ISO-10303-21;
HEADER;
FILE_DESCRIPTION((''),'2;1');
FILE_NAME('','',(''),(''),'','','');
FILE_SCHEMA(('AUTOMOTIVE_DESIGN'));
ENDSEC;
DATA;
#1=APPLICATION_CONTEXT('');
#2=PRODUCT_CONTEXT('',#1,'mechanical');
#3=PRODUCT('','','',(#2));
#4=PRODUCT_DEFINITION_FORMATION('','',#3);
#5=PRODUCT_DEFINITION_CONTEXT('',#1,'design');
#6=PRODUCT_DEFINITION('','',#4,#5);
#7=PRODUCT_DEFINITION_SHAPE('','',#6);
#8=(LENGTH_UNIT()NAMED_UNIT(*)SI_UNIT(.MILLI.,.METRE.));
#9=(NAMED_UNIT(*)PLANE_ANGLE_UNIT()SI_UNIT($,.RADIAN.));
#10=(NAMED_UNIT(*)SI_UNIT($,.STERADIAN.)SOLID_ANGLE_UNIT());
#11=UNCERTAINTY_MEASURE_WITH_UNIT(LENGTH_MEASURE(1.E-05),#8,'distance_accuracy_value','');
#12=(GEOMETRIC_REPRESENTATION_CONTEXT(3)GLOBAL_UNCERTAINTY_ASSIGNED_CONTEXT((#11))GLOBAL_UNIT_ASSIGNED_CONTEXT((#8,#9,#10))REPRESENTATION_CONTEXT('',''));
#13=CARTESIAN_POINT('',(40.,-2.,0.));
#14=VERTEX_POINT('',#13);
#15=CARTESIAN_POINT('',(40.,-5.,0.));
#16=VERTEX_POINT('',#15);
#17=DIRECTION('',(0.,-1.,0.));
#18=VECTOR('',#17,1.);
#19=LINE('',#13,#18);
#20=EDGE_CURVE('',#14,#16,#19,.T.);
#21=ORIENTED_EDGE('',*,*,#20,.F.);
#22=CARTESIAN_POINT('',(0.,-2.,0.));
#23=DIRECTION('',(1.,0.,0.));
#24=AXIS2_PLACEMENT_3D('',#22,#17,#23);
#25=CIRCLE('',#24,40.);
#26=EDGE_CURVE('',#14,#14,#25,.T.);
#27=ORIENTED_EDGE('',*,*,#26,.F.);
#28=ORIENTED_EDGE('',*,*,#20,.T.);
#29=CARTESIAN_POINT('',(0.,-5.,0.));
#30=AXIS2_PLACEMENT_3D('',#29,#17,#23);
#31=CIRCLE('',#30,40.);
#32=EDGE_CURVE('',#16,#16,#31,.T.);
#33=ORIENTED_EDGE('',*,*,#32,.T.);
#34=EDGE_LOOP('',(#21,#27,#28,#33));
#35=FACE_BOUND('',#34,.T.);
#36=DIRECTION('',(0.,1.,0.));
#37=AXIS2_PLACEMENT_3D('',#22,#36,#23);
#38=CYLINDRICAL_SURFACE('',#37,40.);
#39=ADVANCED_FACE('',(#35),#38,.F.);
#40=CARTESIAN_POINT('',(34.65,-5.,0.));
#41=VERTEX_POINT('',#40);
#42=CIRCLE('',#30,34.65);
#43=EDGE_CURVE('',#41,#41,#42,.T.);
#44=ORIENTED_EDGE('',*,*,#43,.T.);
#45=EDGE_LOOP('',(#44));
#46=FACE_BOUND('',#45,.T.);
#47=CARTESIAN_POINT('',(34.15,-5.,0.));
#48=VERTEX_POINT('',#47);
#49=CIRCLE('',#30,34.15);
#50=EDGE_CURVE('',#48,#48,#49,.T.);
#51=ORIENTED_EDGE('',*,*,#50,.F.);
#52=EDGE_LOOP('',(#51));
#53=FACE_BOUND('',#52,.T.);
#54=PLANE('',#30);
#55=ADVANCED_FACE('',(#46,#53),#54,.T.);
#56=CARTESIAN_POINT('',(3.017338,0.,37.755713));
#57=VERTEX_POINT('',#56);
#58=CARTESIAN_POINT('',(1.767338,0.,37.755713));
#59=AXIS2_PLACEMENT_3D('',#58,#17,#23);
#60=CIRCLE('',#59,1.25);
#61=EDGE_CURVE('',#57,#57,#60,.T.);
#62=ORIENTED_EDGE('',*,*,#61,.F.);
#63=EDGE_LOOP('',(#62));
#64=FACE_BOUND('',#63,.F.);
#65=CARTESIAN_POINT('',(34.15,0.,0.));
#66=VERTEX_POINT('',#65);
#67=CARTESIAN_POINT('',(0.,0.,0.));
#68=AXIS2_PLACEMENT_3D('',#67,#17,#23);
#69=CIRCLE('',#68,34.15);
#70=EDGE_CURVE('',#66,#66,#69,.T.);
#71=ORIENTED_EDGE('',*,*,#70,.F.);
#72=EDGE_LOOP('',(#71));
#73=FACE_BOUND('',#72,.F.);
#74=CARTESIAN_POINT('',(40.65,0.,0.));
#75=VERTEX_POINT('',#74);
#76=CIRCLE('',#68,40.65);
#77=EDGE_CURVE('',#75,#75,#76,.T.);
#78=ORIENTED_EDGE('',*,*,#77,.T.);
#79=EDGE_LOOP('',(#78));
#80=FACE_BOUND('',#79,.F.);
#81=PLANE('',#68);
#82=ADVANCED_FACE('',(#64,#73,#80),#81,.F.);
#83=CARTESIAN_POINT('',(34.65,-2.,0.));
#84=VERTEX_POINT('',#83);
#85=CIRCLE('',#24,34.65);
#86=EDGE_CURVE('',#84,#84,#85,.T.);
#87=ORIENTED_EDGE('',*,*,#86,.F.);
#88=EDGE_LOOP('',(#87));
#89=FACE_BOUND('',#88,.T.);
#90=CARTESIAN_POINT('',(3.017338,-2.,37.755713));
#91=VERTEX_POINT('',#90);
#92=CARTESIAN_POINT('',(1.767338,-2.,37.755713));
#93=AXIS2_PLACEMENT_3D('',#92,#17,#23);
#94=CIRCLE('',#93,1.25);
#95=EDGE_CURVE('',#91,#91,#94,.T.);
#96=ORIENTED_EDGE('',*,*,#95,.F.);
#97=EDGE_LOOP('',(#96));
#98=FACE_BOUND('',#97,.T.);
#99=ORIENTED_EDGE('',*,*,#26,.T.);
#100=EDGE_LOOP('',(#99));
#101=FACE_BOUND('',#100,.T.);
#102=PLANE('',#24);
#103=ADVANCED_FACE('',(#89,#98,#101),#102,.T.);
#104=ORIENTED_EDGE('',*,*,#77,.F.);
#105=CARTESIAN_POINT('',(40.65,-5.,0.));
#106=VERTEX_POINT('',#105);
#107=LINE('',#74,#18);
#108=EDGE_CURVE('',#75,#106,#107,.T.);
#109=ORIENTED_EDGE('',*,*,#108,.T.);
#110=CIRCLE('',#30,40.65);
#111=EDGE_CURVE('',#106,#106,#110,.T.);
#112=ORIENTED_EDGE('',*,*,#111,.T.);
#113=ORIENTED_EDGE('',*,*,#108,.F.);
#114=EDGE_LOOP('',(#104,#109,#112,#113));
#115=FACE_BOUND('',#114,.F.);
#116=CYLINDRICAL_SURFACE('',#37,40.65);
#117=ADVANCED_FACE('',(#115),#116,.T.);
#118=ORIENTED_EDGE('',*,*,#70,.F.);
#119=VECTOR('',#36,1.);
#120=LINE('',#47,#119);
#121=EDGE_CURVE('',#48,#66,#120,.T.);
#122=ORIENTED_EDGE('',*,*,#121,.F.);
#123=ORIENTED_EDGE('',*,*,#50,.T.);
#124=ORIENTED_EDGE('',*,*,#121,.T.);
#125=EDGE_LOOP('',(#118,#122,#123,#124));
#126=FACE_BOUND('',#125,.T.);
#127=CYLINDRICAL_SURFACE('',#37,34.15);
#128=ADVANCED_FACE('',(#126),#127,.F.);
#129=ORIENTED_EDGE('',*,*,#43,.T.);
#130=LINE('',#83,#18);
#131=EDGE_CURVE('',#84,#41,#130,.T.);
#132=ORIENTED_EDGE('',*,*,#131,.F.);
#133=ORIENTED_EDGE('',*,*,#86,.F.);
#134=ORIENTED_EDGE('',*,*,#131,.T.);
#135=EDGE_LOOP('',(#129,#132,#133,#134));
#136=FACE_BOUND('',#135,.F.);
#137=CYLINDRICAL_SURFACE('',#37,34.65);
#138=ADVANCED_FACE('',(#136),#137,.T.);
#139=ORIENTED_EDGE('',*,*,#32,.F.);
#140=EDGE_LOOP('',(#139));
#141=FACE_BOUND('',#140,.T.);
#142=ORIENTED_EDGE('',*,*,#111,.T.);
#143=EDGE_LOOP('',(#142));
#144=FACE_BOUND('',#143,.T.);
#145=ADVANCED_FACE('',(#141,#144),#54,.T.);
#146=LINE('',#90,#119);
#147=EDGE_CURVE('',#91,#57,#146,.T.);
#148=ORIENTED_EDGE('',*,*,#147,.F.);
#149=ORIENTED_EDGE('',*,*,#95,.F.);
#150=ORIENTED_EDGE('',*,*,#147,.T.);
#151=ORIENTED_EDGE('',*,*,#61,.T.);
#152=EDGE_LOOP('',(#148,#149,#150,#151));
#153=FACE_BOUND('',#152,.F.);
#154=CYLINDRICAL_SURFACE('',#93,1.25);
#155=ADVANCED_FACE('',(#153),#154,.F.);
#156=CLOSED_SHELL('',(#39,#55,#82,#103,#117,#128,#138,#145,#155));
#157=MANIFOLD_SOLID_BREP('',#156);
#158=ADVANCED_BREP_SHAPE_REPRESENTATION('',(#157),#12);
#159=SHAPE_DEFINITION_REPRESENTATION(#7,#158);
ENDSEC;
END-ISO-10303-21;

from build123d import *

# Parameters (mm, degrees)
F0_R     = 40.65
F0_R_2   = 34.15
F1_DEPTH = 2
F2_R     = 40.65
F2_R_2   = 40
F3_DEPTH = 3
F4_R     = 34.65
F4_R_2   = 34.15
F5_DEPTH = 3
F6_R     = 1.25
F7_DEPTH = 25


with BuildPart() as f1:
    # F0 (on Front) → F1 (new body)
    with BuildSketch(Plane.XZ):
        Circle(F0_R)
        Circle(F0_R_2, mode=Mode.SUBTRACT)
    extrude(amount=F1_DEPTH)

    # F2 (on face) → F3 (join)
    with BuildSketch(Plane.XZ.offset(2)):
        Circle(F2_R)
        Circle(F2_R_2, mode=Mode.SUBTRACT)
    extrude(amount=F3_DEPTH)

    # F4 (on face) → F5 (join)
    with BuildSketch(Plane.XZ.offset(2)):
        Circle(F4_R)
        Circle(F4_R_2, mode=Mode.SUBTRACT)
    extrude(amount=F5_DEPTH)

    # F6 (on face) → F7 (cut)
    with BuildSketch(Plane.XZ.offset(2)):
        with Locations((1.767338, 37.755713)):
            Circle(F6_R)
    extrude(amount=-F7_DEPTH, mode=Mode.SUBTRACT)


solid = f1.part
